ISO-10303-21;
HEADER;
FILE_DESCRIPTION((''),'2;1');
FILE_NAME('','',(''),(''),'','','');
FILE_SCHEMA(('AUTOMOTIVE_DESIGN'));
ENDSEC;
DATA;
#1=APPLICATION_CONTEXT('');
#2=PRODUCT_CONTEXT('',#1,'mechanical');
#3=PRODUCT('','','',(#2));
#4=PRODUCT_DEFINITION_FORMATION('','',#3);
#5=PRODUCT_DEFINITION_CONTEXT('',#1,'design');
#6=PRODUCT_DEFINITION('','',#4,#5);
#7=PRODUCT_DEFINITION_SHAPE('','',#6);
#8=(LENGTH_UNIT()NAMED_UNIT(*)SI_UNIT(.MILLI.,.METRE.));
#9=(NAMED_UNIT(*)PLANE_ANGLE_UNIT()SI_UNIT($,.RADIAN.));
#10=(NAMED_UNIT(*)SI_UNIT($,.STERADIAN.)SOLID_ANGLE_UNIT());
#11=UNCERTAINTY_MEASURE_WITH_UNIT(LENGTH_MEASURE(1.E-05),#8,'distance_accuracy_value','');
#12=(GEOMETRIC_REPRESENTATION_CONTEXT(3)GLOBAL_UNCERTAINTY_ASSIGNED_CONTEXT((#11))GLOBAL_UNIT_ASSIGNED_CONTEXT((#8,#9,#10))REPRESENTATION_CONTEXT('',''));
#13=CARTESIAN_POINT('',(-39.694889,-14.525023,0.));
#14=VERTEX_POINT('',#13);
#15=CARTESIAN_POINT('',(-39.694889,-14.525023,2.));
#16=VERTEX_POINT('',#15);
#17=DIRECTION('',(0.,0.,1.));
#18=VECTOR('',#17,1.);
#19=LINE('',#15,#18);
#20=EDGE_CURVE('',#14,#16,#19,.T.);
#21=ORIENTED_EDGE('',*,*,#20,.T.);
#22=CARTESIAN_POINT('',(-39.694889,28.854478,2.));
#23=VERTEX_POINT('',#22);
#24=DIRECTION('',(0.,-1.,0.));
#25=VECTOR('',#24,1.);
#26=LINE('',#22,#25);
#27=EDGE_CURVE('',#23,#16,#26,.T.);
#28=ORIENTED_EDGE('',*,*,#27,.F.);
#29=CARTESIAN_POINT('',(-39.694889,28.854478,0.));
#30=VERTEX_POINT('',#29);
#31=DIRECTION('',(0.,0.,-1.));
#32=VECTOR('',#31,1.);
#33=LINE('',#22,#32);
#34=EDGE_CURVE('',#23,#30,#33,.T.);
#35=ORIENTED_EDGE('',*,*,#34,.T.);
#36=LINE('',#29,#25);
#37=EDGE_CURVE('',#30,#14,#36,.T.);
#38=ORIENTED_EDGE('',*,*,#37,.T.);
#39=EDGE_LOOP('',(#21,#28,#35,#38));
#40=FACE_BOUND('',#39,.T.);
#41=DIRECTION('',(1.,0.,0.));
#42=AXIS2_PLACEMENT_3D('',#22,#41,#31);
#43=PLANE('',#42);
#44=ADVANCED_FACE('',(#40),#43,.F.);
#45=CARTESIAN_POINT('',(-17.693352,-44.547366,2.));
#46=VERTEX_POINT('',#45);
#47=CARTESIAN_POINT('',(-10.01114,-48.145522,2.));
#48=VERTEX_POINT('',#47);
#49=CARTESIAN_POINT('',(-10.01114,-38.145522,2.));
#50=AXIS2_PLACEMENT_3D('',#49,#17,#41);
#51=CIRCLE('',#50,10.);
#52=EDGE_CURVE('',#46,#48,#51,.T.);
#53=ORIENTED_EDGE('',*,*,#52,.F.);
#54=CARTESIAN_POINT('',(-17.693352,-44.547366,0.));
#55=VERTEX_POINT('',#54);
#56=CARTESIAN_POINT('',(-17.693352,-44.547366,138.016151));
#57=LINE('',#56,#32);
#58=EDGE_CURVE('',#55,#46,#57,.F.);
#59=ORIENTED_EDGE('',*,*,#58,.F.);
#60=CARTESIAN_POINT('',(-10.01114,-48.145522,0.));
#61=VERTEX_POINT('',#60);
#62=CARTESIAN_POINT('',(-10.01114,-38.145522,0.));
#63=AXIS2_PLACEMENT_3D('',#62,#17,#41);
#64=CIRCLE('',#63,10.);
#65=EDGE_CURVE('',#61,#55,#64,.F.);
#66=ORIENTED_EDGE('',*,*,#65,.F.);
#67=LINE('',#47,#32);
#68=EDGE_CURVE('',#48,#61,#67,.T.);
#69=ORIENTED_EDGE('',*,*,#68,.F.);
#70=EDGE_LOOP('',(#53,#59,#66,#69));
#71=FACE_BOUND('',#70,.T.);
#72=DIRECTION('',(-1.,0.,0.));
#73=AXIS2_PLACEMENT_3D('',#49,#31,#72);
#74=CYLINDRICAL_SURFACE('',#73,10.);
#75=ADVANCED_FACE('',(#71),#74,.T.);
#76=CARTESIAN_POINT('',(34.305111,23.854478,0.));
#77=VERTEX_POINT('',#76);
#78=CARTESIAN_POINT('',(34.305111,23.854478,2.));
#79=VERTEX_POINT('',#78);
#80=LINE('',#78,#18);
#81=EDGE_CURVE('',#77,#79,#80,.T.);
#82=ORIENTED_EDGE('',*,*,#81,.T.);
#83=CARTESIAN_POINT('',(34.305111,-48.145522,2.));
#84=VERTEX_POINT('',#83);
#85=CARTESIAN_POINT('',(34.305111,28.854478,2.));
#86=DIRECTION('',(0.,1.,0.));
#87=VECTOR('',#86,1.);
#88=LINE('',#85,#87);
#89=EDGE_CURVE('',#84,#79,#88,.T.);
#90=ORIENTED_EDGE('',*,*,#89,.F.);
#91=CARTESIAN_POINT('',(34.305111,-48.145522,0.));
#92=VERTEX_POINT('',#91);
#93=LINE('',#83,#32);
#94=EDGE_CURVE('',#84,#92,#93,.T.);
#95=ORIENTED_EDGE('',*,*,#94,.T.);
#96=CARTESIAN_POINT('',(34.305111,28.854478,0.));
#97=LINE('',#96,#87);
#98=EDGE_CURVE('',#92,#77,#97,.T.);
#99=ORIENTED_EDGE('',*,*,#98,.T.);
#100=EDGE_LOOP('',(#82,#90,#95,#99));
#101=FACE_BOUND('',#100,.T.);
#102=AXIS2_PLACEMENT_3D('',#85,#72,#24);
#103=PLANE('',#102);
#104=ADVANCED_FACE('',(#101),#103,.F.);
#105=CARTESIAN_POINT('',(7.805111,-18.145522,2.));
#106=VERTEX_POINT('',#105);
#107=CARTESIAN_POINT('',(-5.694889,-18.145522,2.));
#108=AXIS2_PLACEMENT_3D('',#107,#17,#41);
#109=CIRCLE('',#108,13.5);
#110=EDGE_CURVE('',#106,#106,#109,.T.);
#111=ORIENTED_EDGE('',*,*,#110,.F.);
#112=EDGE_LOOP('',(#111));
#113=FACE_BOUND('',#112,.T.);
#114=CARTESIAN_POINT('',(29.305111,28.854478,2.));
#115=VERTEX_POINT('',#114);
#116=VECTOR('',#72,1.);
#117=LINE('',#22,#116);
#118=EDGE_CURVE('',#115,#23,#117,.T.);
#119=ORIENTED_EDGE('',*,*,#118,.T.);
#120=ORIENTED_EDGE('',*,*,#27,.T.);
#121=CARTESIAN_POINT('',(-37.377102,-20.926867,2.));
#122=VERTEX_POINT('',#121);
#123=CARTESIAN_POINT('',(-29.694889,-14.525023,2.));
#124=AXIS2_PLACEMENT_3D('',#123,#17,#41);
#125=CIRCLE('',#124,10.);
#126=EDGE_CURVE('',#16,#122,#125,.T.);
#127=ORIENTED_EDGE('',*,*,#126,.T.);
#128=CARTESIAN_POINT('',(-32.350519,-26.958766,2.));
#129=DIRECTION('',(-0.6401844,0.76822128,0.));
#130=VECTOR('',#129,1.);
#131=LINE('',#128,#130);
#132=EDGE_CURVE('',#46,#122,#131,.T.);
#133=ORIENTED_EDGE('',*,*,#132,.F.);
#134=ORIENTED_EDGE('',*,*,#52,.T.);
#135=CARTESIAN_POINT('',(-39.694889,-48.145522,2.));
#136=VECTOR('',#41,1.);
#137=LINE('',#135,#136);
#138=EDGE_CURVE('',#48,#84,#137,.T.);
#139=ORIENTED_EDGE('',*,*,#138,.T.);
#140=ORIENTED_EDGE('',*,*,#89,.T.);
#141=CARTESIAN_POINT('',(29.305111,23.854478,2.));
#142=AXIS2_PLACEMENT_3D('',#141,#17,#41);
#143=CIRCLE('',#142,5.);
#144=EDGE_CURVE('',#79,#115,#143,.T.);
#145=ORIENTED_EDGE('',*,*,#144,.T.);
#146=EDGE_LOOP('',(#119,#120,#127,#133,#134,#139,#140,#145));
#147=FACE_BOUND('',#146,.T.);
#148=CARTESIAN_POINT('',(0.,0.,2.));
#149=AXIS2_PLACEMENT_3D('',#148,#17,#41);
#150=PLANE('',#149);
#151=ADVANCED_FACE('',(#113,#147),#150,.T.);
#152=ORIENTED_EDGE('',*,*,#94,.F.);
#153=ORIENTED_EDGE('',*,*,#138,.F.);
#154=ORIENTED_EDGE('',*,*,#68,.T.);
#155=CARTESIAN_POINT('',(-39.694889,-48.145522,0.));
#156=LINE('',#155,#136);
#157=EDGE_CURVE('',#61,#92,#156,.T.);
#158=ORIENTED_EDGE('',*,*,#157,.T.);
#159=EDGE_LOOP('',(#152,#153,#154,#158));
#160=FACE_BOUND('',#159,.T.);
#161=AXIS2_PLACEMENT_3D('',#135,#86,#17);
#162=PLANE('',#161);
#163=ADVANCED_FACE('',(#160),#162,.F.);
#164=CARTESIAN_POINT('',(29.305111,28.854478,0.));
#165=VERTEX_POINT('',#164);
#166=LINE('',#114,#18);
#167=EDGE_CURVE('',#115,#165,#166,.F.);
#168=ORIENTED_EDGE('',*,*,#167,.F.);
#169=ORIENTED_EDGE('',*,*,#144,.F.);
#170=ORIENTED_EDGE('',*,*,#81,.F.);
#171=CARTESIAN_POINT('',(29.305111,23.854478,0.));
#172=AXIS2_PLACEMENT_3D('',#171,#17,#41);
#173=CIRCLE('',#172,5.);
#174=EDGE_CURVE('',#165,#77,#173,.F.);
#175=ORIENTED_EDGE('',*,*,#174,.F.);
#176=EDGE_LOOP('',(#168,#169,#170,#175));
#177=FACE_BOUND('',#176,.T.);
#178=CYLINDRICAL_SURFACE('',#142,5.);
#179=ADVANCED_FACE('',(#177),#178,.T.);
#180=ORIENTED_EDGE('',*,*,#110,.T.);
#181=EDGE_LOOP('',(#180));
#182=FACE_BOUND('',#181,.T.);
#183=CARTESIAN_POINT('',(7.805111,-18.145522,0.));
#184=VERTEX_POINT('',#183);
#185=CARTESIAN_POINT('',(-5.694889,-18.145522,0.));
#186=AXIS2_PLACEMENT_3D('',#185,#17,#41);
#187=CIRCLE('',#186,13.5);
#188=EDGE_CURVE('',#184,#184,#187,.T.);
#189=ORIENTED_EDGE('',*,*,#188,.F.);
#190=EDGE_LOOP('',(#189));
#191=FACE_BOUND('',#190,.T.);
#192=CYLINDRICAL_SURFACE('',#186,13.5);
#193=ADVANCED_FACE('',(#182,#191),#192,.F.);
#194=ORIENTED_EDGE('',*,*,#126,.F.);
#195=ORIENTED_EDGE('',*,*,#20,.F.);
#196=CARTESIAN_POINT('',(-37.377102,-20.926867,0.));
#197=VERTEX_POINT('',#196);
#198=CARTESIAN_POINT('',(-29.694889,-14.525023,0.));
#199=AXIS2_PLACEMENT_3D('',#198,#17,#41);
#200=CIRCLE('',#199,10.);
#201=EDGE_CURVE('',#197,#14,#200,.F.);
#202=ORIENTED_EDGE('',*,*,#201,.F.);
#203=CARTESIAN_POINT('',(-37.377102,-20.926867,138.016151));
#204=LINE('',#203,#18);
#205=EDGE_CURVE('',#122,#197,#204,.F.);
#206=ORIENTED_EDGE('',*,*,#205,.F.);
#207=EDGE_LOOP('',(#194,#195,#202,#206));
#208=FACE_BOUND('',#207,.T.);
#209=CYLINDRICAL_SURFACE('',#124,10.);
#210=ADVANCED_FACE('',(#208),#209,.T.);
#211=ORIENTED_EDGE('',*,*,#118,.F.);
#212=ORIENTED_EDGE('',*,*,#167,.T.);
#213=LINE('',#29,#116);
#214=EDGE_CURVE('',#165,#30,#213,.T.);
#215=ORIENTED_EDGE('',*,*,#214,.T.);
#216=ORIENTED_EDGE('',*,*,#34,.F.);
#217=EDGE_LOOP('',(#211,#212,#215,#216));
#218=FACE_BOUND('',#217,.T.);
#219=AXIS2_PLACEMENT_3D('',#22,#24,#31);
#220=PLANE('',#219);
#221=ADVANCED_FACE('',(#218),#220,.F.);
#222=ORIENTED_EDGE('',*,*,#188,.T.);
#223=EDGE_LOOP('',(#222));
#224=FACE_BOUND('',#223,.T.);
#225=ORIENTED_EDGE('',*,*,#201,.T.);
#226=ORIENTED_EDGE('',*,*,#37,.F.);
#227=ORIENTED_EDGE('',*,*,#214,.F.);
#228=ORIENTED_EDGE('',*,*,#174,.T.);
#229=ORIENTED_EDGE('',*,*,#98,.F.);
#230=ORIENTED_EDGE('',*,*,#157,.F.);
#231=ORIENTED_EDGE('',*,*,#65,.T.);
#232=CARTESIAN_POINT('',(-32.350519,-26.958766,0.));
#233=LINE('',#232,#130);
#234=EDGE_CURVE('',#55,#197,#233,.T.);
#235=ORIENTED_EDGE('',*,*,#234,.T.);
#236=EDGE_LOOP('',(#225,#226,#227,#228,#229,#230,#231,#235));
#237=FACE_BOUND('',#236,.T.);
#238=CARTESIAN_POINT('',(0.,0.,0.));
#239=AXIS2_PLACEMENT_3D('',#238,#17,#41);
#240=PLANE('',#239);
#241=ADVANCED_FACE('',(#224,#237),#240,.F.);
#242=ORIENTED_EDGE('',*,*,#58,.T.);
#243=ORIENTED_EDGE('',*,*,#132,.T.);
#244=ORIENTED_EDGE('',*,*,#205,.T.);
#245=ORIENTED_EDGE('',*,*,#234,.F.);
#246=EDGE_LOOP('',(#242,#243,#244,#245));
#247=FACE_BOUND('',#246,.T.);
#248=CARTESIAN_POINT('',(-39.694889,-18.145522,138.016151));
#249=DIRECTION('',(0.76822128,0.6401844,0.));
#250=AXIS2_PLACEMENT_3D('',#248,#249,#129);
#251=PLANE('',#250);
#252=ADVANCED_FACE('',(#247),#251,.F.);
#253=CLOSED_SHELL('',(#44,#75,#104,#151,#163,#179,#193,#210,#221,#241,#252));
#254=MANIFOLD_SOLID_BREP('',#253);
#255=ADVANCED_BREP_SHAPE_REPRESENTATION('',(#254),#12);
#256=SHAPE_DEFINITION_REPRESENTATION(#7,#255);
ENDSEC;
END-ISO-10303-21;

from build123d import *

# Parameters (mm, degrees)
ESBO_O1_W                  = 74
ESBO_O1_H                  = 77
RESSALTO_EXTRUS_O1_DEPTH   = 2
ESBO_O2_R                  = 13.5
CORTE_EXTRUS_O2_DEPTH      = 2
CORTE_EXTRUS_O4_DEPTH      = 1
CORTE_EXTRUS_O4_DEPTH_BACK = 3
FILETE1_R                  = 5
FILETE3_R                  = 10
FILETE4_R                  = 10


with BuildPart() as part:
    # Esboço1 → Ressalto-extrusão1 (new body)
    with BuildSketch(Plane.XY):
        with Locations((-2.694889042, -9.645522388)):
            Rectangle(ESBO_O1_W, ESBO_O1_H)
    extrude(amount=RESSALTO_EXTRUS_O1_DEPTH)

    # Esboço2 → Corte-extrusão2 (cut)
    with BuildSketch(Plane.XY.offset(2)):
        with Locations((-5.694889042, -18.145522388)):
            Circle(ESBO_O2_R)
    extrude(amount=-CORTE_EXTRUS_O2_DEPTH, mode=Mode.SUBTRACT)

    # Esboço3 → Corte-extrusão4 (cut, two sides)
    with BuildSketch(Plane.XY.offset(2)) as corte_extrus_o4_sk:
        Polygon((-162.954500024, 129.766010791), (-39.694889042, -18.145522388), (-14.694889042, -48.145522388), (108.564721941, -196.057055567), (-187.258344417, -442.576277532), (-458.777566382, -116.753211174), align=None)
    extrude(amount=CORTE_EXTRUS_O4_DEPTH, mode=Mode.SUBTRACT)
    extrude(corte_extrus_o4_sk.sketch, amount=-CORTE_EXTRUS_O4_DEPTH_BACK, mode=Mode.SUBTRACT)

    # Filete1
    filete1_edges = [part.edges().sort_by_distance(p)[0] for p in [
        (34.305110958, 28.854477612, 1),
    ]]
    fillet(filete1_edges, radius=FILETE1_R)

    # Filete3
    filete3_edges = [part.edges().sort_by_distance(p)[0] for p in [
        (-39.694889042, -18.145522388, 1),
    ]]
    fillet(filete3_edges, radius=FILETE3_R)

    # Filete4
    filete4_edges = [part.edges().sort_by_distance(p)[0] for p in [
        (-14.694889042, -48.145522388, 1),
    ]]
    fillet(filete4_edges, radius=FILETE4_R)


solid = part.part
